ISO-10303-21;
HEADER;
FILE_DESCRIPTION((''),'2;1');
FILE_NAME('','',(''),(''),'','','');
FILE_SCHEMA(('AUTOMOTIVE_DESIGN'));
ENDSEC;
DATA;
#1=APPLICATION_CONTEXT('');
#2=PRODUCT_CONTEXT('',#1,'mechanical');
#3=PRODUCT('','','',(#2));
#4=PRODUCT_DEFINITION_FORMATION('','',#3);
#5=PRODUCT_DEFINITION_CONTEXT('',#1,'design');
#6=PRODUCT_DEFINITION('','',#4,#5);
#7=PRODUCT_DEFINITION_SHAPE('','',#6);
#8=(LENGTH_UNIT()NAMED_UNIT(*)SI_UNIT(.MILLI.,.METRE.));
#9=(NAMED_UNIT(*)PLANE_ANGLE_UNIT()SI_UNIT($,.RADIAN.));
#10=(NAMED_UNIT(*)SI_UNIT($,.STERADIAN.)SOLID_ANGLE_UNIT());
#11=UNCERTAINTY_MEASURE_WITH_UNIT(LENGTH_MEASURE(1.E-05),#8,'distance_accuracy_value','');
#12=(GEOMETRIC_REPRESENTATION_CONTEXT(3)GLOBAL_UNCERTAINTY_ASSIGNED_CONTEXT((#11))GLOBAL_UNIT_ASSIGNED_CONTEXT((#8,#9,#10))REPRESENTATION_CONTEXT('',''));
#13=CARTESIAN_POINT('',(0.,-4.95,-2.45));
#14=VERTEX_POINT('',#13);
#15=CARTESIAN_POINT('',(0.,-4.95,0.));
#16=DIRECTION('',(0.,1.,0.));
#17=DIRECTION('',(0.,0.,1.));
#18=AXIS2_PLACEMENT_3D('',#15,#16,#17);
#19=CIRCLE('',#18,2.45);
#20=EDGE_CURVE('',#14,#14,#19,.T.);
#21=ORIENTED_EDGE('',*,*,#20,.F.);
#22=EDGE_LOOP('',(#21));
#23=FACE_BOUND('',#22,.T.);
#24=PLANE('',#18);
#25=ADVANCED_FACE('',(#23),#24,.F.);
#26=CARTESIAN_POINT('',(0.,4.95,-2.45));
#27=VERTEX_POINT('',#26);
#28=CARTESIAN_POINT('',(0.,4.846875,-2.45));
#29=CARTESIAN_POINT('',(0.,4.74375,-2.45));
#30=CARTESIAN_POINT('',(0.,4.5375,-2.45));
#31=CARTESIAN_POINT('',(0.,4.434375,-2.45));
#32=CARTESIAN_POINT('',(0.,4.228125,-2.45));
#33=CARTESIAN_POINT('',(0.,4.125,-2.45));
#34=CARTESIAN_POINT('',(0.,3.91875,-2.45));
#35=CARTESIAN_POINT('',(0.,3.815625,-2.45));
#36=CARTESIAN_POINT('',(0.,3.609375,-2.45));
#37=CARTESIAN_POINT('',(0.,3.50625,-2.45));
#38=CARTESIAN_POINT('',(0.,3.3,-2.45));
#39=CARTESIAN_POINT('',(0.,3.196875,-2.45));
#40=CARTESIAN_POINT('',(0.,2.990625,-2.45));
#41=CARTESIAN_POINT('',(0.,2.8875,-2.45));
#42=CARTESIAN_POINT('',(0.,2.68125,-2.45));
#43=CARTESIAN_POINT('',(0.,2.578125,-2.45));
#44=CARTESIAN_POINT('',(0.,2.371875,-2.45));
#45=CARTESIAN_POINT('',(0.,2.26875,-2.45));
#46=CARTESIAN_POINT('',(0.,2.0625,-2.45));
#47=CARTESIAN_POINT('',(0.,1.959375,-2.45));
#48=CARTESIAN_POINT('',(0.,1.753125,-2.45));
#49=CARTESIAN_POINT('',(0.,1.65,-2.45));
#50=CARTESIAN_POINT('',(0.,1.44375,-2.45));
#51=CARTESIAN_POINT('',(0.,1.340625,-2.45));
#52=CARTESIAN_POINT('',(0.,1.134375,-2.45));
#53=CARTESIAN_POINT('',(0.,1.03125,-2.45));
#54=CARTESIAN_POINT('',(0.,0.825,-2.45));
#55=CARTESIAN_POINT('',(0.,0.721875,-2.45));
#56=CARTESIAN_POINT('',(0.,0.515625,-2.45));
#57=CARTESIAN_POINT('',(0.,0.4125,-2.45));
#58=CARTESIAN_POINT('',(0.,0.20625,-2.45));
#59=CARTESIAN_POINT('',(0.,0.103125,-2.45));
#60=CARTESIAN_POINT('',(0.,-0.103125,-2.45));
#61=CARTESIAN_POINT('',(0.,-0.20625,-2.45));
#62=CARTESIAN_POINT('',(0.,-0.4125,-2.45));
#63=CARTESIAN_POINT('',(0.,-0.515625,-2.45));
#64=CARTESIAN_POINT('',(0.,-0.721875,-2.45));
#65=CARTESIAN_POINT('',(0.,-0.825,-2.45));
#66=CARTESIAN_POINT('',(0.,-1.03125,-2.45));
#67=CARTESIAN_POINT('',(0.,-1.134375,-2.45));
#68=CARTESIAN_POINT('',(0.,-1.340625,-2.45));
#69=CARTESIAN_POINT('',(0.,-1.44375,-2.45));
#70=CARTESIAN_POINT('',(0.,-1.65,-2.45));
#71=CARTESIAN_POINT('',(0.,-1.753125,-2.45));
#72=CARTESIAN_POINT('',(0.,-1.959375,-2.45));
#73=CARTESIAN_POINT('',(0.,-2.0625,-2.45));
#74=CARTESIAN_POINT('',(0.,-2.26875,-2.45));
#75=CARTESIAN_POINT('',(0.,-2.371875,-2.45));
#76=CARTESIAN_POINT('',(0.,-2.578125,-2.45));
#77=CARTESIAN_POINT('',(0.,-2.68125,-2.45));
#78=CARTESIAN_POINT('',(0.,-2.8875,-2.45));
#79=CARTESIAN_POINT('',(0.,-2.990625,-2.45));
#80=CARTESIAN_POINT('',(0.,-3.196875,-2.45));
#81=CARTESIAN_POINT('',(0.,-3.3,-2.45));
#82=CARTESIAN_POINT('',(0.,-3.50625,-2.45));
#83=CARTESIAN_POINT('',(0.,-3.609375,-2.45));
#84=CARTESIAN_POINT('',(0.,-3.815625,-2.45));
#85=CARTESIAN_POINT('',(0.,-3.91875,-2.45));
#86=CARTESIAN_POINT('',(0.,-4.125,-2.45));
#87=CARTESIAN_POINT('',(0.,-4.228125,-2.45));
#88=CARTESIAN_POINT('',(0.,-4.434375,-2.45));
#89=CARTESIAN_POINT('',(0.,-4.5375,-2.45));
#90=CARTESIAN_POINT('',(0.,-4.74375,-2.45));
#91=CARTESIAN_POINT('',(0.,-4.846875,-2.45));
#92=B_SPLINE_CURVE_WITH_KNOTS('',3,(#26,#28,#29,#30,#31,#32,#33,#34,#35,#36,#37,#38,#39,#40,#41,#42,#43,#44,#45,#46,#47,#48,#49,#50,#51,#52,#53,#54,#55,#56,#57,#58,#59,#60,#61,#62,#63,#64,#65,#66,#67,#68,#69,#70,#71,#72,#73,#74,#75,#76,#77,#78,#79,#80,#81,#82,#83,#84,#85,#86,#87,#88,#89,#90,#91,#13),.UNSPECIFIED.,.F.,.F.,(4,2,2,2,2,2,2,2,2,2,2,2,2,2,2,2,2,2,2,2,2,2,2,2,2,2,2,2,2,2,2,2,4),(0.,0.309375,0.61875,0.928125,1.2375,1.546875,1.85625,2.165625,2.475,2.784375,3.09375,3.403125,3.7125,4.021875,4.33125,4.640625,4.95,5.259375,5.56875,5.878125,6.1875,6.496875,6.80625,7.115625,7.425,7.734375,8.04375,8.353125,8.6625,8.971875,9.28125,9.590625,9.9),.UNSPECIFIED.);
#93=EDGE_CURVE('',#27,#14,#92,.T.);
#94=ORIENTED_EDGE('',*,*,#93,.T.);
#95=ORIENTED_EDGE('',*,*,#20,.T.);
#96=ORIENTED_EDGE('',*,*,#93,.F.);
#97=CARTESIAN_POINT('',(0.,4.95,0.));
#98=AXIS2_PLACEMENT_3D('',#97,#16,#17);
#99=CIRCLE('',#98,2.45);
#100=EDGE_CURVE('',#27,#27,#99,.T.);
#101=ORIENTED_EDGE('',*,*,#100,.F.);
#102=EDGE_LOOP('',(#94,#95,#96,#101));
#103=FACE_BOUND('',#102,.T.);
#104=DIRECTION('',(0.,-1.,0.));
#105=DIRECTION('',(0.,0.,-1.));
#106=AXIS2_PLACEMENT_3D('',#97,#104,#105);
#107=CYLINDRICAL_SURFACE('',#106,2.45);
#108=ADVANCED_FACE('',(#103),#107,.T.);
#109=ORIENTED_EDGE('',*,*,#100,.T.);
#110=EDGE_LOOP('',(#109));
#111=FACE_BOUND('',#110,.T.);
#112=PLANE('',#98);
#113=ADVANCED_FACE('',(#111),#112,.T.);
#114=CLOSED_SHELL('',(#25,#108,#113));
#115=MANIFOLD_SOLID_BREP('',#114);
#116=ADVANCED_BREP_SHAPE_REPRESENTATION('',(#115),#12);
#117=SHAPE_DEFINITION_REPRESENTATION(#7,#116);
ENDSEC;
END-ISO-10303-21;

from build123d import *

# Parameters (mm, degrees)
ESBO_O1_R                = 2.45
RESSALTO_EXTRUS_O1_DEPTH = 4.95


with BuildPart() as part:
    # Esboço1 → Ressalto-extrusão1 (new, symmetric)
    with BuildSketch(Plane(origin=(0, 0, 0), x_dir=(1, 0, 0), z_dir=(0, 1, 0))):
        with Locations(Location((0, 0, 0), (0, 0, 90))):
            Circle(ESBO_O1_R)
    extrude(amount=RESSALTO_EXTRUS_O1_DEPTH, both=True)


solid = part.part
